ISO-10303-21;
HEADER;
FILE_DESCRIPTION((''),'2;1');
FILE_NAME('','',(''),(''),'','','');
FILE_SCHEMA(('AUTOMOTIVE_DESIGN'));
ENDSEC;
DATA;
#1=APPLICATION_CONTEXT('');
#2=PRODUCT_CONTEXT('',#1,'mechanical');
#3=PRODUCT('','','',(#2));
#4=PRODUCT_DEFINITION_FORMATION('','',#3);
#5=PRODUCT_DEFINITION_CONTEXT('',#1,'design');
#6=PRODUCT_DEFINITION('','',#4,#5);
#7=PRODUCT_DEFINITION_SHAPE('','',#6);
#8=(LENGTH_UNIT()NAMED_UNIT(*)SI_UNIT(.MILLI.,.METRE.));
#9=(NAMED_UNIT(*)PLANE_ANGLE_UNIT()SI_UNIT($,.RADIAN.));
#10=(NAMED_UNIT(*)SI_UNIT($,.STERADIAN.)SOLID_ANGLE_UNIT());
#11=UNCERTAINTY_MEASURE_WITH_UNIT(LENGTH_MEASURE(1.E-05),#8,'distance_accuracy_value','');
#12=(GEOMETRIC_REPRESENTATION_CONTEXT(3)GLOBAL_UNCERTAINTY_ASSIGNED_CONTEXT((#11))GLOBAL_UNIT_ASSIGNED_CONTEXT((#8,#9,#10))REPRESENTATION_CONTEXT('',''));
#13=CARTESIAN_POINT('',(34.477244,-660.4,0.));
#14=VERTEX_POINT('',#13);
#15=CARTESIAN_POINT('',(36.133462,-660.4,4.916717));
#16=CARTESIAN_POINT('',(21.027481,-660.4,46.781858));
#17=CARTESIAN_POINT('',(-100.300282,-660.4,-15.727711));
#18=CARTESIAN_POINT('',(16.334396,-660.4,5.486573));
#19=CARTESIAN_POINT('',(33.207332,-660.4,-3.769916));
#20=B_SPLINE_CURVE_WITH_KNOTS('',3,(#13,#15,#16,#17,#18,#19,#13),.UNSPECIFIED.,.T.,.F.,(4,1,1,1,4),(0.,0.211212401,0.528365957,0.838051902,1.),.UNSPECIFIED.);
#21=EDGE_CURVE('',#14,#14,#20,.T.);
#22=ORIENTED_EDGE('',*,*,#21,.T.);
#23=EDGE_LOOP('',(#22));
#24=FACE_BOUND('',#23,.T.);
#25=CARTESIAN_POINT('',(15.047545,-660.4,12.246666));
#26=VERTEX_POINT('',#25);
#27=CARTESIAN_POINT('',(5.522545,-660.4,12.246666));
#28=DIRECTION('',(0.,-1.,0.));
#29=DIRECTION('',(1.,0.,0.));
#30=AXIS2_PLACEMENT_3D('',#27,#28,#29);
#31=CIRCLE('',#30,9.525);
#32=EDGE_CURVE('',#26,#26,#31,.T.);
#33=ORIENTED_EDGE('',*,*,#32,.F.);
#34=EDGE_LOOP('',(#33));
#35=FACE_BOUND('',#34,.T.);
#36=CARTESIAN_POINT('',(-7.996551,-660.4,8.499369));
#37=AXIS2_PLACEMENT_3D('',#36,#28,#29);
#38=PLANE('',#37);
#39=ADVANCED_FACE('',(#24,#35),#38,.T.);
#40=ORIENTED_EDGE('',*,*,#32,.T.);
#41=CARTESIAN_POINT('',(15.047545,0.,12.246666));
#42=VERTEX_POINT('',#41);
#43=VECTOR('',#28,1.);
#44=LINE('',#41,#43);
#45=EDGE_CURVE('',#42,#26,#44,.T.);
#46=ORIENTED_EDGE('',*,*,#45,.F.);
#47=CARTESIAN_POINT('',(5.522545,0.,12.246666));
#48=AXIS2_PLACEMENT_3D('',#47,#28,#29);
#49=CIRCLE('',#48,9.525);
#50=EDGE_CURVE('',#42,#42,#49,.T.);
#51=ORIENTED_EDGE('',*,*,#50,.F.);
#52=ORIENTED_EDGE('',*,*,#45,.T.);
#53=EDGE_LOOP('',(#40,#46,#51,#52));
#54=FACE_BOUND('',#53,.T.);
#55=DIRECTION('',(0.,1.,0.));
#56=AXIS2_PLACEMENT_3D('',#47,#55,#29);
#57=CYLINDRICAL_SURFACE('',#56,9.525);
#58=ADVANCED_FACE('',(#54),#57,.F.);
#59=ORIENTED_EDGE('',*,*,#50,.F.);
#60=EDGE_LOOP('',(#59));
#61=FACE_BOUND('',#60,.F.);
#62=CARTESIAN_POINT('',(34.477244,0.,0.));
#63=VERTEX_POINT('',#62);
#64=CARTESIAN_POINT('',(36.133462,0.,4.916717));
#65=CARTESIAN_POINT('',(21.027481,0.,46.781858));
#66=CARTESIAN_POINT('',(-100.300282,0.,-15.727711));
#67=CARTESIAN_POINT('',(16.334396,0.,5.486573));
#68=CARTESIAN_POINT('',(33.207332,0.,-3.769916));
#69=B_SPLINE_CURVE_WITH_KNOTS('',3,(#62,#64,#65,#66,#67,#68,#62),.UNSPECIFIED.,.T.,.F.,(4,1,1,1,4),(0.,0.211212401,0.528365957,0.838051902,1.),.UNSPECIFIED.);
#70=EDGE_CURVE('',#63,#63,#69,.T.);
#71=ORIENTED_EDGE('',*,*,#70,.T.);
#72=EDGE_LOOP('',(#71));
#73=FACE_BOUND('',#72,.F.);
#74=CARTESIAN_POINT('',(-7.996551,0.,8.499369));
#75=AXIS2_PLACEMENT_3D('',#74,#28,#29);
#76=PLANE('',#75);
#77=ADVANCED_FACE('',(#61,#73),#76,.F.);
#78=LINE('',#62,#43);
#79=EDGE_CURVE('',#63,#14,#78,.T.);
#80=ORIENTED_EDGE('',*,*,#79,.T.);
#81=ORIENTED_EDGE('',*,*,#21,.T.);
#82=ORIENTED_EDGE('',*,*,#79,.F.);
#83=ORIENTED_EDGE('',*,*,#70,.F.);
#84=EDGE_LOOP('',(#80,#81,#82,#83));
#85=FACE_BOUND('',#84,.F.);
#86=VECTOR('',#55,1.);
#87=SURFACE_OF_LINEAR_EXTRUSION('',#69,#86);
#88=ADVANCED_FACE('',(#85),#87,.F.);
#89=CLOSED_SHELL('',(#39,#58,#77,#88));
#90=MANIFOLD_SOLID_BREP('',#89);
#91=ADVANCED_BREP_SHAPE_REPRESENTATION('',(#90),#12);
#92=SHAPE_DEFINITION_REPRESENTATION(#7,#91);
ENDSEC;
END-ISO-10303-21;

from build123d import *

# Parameters (mm, degrees)
F0_R     = 9.525
F1_DEPTH = 660.4


with BuildPart() as f1:
    # F0 (on Front) → F1 (new body)
    with BuildSketch(Plane.XZ):
        with BuildLine():
            add(Edge.make_bspline(
                [(34.4772443126, 0), (36.1334618663, 4.9167173879), (21.0274809211, 46.7818580466), (-100.3002824106, -15.7277106078), (16.3343959466, 5.4865726125), (33.2073317445, -3.7699160903), (34.4772443126, 0)],
                knots=[0, 0, 0, 0, 0.2112124007, 0.5283659568, 0.8380519023, 1, 1, 1, 1], degree=3))
        make_face()
        with Locations((5.5225454271, 12.2466664761)):
            Circle(F0_R, mode=Mode.SUBTRACT)
    extrude(amount=F1_DEPTH)


solid = f1.part
